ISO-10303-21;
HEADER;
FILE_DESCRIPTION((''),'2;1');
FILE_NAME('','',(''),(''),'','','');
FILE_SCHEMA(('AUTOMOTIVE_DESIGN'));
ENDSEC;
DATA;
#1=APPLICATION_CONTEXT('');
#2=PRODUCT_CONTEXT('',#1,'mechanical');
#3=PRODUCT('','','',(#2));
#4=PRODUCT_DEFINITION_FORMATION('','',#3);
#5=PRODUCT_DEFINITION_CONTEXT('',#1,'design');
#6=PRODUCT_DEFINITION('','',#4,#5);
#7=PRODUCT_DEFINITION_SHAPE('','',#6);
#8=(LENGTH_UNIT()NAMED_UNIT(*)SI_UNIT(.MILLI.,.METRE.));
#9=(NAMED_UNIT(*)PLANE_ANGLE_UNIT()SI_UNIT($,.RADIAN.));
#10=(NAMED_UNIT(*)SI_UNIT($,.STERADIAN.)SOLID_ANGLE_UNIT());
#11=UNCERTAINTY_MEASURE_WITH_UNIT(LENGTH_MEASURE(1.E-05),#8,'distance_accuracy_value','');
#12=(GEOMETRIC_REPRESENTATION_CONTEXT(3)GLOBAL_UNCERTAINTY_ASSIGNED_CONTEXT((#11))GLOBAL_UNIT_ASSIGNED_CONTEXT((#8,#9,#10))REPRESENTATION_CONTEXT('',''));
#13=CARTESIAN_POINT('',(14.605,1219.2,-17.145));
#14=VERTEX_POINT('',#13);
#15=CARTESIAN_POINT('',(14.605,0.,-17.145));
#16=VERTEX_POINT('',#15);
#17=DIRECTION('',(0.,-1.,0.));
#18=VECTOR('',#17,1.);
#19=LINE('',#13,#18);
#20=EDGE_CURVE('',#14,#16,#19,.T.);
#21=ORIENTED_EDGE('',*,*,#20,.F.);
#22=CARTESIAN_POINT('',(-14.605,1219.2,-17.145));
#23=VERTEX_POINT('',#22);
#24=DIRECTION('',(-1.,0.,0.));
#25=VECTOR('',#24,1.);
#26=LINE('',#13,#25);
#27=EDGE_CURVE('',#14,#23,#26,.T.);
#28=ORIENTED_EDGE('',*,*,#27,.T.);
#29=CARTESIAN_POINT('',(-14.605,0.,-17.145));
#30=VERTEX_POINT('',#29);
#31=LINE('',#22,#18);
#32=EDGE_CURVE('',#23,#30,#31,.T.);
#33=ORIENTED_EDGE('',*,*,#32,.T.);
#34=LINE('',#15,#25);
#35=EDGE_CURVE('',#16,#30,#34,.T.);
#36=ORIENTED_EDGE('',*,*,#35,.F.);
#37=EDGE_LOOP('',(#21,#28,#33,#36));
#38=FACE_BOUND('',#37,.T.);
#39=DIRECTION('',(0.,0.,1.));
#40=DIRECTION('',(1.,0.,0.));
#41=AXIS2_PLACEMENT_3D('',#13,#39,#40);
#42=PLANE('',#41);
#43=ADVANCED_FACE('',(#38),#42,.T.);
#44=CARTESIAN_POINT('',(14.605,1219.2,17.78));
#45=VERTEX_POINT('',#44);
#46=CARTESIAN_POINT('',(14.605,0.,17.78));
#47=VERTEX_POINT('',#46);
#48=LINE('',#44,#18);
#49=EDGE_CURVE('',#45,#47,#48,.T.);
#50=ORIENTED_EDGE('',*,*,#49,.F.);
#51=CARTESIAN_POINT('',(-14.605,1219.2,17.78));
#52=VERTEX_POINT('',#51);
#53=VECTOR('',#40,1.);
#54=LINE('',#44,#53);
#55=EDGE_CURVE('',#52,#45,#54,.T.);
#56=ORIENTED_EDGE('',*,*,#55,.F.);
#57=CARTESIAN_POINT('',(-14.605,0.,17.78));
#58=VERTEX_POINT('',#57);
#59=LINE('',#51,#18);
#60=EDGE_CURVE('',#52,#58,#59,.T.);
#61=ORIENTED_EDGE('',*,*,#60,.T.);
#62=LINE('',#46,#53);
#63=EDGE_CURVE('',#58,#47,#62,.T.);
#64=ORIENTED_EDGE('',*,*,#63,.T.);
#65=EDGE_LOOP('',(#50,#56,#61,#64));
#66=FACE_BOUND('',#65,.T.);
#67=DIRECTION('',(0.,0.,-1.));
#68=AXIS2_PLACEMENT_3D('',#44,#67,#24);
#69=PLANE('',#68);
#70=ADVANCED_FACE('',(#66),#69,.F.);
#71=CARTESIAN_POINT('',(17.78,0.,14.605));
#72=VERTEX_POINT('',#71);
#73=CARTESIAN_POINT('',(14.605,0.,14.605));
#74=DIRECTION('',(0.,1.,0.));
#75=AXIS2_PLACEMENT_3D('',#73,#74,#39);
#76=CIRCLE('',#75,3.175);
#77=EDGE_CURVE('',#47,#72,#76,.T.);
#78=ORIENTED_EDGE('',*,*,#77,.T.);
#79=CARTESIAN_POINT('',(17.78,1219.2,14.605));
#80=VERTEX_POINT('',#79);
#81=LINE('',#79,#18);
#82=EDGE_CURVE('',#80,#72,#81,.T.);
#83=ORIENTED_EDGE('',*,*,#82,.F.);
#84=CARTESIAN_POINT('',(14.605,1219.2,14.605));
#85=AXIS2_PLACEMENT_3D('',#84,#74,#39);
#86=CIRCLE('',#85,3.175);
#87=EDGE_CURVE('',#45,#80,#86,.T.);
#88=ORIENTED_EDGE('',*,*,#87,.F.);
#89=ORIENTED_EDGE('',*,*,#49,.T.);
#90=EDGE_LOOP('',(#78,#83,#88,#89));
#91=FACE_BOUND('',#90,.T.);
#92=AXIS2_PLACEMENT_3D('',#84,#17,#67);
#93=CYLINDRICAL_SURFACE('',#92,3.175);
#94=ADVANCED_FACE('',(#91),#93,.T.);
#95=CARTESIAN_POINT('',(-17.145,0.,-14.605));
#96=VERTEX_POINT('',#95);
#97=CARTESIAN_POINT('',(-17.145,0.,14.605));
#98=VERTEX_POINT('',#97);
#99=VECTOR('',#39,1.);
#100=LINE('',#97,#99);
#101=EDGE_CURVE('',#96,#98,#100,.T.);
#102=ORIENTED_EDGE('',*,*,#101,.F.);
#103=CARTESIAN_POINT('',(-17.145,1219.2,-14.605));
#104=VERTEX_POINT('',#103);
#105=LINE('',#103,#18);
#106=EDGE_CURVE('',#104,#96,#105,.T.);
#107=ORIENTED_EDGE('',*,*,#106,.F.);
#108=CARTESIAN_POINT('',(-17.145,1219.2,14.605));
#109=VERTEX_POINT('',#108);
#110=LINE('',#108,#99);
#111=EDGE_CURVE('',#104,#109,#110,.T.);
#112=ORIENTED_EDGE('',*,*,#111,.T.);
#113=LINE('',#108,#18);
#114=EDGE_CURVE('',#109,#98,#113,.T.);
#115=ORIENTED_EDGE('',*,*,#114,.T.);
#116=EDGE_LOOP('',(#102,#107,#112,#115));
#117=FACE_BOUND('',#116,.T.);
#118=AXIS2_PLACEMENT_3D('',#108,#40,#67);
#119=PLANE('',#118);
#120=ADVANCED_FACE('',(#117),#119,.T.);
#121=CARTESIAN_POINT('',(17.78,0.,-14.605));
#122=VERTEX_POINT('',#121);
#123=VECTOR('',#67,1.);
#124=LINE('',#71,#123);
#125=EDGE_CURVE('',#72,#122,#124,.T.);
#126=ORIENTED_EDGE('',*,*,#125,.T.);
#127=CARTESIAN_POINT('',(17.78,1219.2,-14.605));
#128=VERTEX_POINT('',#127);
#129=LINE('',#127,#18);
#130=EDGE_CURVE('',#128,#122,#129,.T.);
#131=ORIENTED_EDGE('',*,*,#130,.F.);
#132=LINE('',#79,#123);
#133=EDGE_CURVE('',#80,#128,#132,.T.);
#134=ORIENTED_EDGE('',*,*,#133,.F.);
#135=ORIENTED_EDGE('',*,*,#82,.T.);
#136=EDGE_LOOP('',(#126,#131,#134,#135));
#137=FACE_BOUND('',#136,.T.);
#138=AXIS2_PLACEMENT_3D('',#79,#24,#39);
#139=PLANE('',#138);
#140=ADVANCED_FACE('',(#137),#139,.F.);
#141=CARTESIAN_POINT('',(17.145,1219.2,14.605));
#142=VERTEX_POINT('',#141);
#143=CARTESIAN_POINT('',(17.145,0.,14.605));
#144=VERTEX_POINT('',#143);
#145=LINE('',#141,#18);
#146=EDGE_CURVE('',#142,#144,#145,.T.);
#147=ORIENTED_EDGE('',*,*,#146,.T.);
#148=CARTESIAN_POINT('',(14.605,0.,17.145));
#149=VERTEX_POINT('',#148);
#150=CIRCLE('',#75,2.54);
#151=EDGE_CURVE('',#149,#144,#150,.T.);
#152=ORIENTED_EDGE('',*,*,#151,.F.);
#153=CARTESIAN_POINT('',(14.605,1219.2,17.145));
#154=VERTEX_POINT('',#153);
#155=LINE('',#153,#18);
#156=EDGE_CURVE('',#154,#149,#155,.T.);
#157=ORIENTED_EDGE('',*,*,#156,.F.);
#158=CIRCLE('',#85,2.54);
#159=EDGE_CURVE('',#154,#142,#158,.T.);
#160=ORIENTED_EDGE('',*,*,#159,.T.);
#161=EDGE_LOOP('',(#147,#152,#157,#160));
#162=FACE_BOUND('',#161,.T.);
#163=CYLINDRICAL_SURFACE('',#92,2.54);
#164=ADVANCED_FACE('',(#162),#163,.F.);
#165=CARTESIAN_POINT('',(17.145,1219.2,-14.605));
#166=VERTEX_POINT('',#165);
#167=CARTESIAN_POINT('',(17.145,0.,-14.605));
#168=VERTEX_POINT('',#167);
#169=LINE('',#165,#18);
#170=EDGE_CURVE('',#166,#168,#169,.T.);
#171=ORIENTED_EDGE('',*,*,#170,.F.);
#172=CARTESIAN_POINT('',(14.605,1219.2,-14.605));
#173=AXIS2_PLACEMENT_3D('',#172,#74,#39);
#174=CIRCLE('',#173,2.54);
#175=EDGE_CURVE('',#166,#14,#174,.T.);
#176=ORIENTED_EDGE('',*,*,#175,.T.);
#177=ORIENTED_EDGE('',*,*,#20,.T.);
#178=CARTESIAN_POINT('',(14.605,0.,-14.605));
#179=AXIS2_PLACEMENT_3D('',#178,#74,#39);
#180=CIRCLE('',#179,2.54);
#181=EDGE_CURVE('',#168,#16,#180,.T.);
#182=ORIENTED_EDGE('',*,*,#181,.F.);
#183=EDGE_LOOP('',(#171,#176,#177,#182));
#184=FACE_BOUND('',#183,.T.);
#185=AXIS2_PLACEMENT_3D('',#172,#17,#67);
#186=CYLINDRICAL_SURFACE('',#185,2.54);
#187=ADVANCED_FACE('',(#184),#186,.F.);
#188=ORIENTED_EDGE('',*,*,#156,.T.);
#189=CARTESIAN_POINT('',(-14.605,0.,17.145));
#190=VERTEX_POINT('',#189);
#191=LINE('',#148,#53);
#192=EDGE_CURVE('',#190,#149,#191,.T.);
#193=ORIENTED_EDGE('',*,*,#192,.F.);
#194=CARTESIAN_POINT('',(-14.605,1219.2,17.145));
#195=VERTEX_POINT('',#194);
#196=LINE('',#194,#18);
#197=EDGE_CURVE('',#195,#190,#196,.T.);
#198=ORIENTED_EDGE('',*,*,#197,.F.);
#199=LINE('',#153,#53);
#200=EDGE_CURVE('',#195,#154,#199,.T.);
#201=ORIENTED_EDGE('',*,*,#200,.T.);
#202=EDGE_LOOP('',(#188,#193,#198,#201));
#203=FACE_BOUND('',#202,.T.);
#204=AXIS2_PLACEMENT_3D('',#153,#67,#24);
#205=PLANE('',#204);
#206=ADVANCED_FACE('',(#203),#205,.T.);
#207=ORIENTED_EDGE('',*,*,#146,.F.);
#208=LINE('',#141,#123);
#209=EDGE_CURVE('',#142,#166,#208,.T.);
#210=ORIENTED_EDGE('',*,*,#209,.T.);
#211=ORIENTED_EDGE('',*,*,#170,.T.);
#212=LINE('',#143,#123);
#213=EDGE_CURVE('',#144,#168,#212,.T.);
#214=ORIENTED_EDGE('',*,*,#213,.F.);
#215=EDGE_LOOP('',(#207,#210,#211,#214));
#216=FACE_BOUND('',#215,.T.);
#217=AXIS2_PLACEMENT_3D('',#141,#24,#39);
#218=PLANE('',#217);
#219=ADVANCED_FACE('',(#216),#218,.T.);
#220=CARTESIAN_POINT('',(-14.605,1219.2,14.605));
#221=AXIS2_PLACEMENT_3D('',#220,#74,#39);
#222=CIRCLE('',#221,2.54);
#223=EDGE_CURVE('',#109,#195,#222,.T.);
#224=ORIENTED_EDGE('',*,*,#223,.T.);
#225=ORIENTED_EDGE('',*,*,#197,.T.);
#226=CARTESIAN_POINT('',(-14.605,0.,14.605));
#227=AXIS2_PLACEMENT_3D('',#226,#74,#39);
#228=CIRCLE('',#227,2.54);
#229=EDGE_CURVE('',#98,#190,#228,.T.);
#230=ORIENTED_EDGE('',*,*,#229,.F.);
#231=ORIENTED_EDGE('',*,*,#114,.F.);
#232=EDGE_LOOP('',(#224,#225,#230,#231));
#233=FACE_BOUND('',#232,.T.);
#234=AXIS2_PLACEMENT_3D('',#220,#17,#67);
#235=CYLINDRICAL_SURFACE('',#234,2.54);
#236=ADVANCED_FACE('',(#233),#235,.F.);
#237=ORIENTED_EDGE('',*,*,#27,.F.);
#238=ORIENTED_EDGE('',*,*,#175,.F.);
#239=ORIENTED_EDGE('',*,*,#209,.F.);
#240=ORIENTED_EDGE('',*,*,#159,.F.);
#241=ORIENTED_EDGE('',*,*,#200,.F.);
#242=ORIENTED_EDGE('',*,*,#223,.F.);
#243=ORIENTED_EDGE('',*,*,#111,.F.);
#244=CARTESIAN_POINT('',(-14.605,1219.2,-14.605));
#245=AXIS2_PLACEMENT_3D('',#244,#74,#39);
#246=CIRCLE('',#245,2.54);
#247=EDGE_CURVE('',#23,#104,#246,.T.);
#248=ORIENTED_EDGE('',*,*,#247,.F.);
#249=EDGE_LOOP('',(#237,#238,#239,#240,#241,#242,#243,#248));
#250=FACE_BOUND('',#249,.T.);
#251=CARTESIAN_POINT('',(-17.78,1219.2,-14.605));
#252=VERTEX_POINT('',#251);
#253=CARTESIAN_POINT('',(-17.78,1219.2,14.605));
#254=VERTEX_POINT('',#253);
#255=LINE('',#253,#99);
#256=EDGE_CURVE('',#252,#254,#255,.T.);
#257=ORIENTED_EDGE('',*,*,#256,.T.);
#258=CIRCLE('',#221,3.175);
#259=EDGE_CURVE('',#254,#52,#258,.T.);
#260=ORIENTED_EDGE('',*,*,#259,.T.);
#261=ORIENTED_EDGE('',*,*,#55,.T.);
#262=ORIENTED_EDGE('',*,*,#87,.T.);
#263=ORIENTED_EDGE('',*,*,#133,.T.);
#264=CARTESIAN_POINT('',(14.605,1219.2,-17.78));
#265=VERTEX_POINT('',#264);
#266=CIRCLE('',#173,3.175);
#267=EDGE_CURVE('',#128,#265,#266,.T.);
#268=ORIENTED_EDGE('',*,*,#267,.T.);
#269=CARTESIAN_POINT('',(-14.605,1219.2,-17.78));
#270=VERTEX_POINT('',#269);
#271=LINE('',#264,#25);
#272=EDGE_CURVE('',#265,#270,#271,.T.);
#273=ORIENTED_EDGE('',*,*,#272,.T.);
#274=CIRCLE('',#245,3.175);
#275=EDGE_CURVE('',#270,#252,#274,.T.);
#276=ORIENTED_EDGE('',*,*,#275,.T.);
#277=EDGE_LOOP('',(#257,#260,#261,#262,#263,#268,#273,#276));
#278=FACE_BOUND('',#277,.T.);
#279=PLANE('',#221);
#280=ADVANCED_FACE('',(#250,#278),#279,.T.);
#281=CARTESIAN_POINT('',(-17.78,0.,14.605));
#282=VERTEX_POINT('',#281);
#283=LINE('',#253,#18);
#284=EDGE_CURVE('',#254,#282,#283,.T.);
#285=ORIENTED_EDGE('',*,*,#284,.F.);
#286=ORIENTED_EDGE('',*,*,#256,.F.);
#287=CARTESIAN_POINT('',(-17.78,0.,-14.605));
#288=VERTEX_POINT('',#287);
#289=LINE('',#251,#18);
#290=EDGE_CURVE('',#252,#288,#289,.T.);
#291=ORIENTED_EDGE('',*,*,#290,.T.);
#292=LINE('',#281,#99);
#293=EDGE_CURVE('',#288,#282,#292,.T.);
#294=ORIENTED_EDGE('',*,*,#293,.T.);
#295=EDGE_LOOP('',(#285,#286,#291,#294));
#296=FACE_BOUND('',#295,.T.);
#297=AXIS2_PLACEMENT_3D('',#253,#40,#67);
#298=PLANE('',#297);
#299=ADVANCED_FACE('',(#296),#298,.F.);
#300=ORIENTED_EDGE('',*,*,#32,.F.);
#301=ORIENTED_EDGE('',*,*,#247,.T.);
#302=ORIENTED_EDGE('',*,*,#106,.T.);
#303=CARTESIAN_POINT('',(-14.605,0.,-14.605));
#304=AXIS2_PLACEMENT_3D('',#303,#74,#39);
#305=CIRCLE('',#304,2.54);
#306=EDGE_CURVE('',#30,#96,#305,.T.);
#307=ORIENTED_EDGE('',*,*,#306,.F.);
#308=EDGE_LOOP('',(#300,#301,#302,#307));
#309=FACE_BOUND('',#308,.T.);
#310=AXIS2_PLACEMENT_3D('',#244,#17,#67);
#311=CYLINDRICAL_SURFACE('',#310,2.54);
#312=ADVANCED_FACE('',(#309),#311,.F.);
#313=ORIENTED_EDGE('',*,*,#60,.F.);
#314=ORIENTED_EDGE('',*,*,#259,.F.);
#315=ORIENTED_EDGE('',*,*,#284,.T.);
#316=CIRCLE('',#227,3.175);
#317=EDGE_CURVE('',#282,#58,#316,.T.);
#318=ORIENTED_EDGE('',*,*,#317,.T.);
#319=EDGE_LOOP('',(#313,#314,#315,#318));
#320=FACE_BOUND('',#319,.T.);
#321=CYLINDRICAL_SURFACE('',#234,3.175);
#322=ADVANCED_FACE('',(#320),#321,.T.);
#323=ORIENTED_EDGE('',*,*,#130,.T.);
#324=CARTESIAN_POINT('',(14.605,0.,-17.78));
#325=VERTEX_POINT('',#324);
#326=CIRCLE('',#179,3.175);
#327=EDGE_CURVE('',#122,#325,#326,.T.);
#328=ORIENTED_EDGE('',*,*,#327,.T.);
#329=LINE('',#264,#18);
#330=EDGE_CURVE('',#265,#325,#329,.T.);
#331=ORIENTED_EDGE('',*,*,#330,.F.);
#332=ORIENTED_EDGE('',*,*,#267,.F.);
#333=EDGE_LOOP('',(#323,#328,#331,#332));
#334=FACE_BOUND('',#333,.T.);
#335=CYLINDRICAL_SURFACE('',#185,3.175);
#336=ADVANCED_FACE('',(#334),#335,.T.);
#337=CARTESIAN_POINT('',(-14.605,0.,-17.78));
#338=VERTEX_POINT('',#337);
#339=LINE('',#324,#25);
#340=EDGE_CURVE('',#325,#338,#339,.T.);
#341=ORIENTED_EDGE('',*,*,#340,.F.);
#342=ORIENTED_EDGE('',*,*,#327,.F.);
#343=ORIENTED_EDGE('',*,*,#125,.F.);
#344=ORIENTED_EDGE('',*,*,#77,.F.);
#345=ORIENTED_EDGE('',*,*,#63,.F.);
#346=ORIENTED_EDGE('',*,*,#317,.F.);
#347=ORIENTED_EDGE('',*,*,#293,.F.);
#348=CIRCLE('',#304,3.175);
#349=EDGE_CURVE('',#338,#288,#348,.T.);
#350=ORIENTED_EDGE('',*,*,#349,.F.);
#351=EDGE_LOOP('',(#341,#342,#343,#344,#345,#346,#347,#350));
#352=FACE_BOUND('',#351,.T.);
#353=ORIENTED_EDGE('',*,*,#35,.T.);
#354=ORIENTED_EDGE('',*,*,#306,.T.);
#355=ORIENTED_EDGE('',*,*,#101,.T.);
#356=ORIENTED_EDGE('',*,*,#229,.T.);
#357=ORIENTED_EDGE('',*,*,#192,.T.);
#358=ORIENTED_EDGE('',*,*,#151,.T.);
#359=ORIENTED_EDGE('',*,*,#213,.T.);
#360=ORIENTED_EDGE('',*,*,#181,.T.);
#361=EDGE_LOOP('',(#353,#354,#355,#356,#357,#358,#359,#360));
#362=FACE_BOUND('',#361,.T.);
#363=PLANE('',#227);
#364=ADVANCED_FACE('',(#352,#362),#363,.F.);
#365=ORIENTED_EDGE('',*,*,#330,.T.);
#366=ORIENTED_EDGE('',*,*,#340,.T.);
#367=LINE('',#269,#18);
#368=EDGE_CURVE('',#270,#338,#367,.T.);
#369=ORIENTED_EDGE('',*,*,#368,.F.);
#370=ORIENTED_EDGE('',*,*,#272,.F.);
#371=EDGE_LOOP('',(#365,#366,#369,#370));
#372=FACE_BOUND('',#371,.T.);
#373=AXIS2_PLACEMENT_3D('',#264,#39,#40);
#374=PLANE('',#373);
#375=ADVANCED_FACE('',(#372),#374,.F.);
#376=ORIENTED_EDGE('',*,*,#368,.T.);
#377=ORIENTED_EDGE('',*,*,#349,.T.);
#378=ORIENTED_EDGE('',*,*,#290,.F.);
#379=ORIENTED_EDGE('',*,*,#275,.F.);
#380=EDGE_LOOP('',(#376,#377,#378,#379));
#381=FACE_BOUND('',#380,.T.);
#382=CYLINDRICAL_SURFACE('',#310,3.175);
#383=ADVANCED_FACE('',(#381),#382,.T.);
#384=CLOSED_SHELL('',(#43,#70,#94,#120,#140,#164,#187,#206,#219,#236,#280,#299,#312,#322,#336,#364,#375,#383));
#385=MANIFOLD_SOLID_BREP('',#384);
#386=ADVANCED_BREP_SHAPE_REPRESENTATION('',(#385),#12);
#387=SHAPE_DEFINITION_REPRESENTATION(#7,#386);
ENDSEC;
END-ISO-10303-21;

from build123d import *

# Parameters (mm, degrees)
BOSS_EXTRUDE1_DEPTH = 1219.2


with BuildPart() as part:
    # Sketch1 → Boss-Extrude1 (new body)
    with BuildSketch(Plane(origin=(0, 0, 0), x_dir=(1, 0, 0), z_dir=(0, 1, 0))):
        with BuildLine():
            Line((14.605, -17.78), (-14.605, -17.78))
            ThreePointArc((-14.605, -17.78), (-16.85006403, -16.85006403), (-17.78, -14.605))
            Line((-17.78, -14.605), (-17.78, 14.605))
            ThreePointArc((-17.78, 14.605), (-16.85006403, 16.85006403), (-14.605, 17.78))
            Line((-14.605, 17.78), (14.605, 17.78))
            ThreePointArc((14.605, 17.78), (16.85006403, 16.85006403), (17.78, 14.605))
            Line((17.78, 14.605), (17.78, -14.605))
            ThreePointArc((17.78, -14.605), (16.85006403, -16.85006403), (14.605, -17.78))
        make_face()
        with BuildLine():
            Line((14.605, 17.145), (-14.605, 17.145))
            ThreePointArc((-14.605, 17.145), (-16.401051224, 16.401051224), (-17.145, 14.605))
            Line((-17.145, 14.605), (-17.145, -14.605))
            ThreePointArc((-17.145, -14.605), (-16.401051224, -16.401051224), (-14.605, -17.145))
            Line((-14.605, -17.145), (14.605, -17.145))
            ThreePointArc((14.605, -17.145), (16.401051224, -16.401051224), (17.145, -14.605))
            Line((17.145, -14.605), (17.145, 14.605))
            ThreePointArc((17.145, 14.605), (16.401051224, 16.401051224), (14.605, 17.145))
        make_face(mode=Mode.SUBTRACT)
    extrude(amount=BOSS_EXTRUDE1_DEPTH)


solid = part.part
